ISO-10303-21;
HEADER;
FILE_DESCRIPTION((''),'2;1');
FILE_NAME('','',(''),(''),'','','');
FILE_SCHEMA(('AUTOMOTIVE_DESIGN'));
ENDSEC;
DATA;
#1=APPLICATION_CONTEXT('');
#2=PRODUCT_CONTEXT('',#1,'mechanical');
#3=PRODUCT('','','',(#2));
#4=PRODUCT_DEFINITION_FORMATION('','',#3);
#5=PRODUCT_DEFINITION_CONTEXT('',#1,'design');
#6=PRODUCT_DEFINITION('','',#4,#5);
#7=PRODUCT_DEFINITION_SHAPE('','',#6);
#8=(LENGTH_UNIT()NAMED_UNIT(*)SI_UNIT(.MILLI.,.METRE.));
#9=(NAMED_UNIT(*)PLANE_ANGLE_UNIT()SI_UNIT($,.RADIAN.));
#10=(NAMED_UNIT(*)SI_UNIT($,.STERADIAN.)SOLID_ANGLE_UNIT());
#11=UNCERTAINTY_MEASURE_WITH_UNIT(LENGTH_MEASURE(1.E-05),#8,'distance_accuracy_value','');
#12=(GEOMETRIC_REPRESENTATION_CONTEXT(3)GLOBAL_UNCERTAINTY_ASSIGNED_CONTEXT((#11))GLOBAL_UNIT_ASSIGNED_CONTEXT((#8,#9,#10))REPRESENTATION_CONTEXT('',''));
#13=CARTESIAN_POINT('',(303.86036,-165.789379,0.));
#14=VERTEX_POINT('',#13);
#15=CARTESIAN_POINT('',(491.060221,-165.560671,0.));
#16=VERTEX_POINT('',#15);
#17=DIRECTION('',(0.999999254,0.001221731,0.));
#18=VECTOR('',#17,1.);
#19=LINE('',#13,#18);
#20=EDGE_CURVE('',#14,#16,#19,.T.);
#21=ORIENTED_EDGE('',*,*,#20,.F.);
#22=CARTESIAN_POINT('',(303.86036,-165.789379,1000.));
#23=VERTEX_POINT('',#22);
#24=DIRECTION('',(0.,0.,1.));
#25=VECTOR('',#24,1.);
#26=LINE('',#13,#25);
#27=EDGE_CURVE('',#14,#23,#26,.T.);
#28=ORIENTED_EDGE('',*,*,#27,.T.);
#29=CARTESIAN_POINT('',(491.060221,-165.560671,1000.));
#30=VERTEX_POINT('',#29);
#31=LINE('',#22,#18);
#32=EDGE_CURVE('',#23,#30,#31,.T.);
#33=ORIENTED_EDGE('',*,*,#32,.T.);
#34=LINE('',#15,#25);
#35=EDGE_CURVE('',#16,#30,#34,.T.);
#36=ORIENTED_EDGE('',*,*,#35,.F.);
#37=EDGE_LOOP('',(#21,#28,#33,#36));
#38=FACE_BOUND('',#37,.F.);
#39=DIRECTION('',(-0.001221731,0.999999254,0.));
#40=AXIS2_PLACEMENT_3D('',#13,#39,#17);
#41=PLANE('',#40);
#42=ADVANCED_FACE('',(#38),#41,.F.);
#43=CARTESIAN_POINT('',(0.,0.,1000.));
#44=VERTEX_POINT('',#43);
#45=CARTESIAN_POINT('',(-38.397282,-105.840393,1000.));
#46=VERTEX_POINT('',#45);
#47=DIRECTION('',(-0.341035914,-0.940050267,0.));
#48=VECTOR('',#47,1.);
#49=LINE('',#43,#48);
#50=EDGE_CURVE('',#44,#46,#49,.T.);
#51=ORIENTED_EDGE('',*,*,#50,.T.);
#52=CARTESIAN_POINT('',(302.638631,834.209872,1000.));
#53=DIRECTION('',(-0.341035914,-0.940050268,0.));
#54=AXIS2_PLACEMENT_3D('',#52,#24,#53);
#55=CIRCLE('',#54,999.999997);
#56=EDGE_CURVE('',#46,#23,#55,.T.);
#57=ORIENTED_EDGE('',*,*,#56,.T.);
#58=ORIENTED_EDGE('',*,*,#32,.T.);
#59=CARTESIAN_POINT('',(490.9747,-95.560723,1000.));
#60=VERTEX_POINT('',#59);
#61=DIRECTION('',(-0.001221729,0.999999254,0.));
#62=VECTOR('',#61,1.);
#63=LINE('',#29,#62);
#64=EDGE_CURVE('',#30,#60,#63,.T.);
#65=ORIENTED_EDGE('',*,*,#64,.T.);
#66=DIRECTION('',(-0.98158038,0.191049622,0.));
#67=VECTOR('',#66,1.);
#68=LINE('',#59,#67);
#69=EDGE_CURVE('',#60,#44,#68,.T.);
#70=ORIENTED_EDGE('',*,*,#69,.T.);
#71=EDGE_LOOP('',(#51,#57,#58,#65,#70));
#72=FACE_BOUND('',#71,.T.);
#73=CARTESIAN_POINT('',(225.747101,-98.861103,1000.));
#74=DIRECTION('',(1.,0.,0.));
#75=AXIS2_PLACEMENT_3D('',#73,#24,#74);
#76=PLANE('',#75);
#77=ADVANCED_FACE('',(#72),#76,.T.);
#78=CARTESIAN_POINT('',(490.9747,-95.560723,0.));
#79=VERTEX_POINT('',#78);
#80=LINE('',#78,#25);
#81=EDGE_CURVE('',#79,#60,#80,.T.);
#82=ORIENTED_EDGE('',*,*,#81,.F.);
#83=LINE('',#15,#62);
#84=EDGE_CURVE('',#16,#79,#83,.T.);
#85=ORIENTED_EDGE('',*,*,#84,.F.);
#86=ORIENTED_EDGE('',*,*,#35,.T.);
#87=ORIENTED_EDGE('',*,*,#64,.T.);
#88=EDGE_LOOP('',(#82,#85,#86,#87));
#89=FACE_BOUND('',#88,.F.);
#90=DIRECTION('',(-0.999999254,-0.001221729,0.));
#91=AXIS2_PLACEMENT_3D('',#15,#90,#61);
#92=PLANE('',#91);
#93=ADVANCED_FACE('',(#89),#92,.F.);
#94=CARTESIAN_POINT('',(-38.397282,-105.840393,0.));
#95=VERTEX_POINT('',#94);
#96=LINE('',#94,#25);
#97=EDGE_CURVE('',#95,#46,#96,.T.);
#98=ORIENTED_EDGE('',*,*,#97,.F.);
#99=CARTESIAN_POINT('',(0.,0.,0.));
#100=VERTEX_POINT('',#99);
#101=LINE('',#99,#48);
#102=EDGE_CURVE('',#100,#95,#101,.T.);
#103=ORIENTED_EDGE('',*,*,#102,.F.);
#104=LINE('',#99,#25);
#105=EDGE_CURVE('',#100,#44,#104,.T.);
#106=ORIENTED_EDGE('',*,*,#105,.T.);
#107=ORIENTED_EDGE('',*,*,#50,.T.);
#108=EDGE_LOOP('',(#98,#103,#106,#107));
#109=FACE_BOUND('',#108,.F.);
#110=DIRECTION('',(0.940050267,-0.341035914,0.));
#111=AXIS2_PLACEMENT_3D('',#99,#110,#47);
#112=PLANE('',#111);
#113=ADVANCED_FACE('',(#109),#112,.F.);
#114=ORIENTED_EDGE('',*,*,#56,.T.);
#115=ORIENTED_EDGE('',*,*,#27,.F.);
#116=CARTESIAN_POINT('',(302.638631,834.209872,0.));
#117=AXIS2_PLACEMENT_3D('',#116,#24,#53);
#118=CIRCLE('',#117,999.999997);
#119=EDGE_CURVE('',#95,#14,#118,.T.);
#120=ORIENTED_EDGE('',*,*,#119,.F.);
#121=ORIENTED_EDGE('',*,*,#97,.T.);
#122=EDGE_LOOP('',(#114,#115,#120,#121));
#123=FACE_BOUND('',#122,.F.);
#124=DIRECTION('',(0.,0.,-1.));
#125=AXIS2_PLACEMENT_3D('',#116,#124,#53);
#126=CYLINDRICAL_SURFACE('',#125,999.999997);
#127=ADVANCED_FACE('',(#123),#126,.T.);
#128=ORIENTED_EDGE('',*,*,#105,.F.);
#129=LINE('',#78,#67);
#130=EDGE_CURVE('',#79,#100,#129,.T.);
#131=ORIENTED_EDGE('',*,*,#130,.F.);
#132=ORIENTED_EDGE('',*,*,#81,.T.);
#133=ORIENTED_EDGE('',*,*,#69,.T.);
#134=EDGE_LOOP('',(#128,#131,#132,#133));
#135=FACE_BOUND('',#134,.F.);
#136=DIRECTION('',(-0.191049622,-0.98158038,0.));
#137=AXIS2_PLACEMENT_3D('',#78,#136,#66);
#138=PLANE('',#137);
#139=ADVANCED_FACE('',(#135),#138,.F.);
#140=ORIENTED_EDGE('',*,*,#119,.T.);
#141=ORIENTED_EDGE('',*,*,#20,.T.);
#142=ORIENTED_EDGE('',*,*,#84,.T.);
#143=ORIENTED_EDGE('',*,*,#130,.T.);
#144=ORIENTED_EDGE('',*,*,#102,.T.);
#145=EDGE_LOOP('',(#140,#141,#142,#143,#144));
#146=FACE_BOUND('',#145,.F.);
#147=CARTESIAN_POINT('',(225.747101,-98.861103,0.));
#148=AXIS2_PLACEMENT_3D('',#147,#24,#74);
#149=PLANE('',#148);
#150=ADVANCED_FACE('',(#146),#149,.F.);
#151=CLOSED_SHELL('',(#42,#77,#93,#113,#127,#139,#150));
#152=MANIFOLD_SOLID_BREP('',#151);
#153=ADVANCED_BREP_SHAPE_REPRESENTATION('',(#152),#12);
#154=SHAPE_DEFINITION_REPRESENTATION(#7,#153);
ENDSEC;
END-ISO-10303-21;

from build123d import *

# Parameters (mm, degrees)
F3_DEPTH = 1000


with BuildPart() as f3:
    # F2 (on face) → F3 (new body)
    with BuildSketch(Plane.XY):
        with BuildLine():
            Line((303.86036, -165.789379), (491.060221, -165.560671))
            Line((491.060221, -165.560671), (490.9747, -95.560723))
            Line((490.9747, -95.560723), (0, 0))
            Line((0, 0), (-38.397282, -105.840393))
            ThreePointArc((-38.397282, -105.840393), (130.107793, -150.794242), (303.86036, -165.789379))
        make_face()
    extrude(amount=F3_DEPTH)


solid = f3.part
